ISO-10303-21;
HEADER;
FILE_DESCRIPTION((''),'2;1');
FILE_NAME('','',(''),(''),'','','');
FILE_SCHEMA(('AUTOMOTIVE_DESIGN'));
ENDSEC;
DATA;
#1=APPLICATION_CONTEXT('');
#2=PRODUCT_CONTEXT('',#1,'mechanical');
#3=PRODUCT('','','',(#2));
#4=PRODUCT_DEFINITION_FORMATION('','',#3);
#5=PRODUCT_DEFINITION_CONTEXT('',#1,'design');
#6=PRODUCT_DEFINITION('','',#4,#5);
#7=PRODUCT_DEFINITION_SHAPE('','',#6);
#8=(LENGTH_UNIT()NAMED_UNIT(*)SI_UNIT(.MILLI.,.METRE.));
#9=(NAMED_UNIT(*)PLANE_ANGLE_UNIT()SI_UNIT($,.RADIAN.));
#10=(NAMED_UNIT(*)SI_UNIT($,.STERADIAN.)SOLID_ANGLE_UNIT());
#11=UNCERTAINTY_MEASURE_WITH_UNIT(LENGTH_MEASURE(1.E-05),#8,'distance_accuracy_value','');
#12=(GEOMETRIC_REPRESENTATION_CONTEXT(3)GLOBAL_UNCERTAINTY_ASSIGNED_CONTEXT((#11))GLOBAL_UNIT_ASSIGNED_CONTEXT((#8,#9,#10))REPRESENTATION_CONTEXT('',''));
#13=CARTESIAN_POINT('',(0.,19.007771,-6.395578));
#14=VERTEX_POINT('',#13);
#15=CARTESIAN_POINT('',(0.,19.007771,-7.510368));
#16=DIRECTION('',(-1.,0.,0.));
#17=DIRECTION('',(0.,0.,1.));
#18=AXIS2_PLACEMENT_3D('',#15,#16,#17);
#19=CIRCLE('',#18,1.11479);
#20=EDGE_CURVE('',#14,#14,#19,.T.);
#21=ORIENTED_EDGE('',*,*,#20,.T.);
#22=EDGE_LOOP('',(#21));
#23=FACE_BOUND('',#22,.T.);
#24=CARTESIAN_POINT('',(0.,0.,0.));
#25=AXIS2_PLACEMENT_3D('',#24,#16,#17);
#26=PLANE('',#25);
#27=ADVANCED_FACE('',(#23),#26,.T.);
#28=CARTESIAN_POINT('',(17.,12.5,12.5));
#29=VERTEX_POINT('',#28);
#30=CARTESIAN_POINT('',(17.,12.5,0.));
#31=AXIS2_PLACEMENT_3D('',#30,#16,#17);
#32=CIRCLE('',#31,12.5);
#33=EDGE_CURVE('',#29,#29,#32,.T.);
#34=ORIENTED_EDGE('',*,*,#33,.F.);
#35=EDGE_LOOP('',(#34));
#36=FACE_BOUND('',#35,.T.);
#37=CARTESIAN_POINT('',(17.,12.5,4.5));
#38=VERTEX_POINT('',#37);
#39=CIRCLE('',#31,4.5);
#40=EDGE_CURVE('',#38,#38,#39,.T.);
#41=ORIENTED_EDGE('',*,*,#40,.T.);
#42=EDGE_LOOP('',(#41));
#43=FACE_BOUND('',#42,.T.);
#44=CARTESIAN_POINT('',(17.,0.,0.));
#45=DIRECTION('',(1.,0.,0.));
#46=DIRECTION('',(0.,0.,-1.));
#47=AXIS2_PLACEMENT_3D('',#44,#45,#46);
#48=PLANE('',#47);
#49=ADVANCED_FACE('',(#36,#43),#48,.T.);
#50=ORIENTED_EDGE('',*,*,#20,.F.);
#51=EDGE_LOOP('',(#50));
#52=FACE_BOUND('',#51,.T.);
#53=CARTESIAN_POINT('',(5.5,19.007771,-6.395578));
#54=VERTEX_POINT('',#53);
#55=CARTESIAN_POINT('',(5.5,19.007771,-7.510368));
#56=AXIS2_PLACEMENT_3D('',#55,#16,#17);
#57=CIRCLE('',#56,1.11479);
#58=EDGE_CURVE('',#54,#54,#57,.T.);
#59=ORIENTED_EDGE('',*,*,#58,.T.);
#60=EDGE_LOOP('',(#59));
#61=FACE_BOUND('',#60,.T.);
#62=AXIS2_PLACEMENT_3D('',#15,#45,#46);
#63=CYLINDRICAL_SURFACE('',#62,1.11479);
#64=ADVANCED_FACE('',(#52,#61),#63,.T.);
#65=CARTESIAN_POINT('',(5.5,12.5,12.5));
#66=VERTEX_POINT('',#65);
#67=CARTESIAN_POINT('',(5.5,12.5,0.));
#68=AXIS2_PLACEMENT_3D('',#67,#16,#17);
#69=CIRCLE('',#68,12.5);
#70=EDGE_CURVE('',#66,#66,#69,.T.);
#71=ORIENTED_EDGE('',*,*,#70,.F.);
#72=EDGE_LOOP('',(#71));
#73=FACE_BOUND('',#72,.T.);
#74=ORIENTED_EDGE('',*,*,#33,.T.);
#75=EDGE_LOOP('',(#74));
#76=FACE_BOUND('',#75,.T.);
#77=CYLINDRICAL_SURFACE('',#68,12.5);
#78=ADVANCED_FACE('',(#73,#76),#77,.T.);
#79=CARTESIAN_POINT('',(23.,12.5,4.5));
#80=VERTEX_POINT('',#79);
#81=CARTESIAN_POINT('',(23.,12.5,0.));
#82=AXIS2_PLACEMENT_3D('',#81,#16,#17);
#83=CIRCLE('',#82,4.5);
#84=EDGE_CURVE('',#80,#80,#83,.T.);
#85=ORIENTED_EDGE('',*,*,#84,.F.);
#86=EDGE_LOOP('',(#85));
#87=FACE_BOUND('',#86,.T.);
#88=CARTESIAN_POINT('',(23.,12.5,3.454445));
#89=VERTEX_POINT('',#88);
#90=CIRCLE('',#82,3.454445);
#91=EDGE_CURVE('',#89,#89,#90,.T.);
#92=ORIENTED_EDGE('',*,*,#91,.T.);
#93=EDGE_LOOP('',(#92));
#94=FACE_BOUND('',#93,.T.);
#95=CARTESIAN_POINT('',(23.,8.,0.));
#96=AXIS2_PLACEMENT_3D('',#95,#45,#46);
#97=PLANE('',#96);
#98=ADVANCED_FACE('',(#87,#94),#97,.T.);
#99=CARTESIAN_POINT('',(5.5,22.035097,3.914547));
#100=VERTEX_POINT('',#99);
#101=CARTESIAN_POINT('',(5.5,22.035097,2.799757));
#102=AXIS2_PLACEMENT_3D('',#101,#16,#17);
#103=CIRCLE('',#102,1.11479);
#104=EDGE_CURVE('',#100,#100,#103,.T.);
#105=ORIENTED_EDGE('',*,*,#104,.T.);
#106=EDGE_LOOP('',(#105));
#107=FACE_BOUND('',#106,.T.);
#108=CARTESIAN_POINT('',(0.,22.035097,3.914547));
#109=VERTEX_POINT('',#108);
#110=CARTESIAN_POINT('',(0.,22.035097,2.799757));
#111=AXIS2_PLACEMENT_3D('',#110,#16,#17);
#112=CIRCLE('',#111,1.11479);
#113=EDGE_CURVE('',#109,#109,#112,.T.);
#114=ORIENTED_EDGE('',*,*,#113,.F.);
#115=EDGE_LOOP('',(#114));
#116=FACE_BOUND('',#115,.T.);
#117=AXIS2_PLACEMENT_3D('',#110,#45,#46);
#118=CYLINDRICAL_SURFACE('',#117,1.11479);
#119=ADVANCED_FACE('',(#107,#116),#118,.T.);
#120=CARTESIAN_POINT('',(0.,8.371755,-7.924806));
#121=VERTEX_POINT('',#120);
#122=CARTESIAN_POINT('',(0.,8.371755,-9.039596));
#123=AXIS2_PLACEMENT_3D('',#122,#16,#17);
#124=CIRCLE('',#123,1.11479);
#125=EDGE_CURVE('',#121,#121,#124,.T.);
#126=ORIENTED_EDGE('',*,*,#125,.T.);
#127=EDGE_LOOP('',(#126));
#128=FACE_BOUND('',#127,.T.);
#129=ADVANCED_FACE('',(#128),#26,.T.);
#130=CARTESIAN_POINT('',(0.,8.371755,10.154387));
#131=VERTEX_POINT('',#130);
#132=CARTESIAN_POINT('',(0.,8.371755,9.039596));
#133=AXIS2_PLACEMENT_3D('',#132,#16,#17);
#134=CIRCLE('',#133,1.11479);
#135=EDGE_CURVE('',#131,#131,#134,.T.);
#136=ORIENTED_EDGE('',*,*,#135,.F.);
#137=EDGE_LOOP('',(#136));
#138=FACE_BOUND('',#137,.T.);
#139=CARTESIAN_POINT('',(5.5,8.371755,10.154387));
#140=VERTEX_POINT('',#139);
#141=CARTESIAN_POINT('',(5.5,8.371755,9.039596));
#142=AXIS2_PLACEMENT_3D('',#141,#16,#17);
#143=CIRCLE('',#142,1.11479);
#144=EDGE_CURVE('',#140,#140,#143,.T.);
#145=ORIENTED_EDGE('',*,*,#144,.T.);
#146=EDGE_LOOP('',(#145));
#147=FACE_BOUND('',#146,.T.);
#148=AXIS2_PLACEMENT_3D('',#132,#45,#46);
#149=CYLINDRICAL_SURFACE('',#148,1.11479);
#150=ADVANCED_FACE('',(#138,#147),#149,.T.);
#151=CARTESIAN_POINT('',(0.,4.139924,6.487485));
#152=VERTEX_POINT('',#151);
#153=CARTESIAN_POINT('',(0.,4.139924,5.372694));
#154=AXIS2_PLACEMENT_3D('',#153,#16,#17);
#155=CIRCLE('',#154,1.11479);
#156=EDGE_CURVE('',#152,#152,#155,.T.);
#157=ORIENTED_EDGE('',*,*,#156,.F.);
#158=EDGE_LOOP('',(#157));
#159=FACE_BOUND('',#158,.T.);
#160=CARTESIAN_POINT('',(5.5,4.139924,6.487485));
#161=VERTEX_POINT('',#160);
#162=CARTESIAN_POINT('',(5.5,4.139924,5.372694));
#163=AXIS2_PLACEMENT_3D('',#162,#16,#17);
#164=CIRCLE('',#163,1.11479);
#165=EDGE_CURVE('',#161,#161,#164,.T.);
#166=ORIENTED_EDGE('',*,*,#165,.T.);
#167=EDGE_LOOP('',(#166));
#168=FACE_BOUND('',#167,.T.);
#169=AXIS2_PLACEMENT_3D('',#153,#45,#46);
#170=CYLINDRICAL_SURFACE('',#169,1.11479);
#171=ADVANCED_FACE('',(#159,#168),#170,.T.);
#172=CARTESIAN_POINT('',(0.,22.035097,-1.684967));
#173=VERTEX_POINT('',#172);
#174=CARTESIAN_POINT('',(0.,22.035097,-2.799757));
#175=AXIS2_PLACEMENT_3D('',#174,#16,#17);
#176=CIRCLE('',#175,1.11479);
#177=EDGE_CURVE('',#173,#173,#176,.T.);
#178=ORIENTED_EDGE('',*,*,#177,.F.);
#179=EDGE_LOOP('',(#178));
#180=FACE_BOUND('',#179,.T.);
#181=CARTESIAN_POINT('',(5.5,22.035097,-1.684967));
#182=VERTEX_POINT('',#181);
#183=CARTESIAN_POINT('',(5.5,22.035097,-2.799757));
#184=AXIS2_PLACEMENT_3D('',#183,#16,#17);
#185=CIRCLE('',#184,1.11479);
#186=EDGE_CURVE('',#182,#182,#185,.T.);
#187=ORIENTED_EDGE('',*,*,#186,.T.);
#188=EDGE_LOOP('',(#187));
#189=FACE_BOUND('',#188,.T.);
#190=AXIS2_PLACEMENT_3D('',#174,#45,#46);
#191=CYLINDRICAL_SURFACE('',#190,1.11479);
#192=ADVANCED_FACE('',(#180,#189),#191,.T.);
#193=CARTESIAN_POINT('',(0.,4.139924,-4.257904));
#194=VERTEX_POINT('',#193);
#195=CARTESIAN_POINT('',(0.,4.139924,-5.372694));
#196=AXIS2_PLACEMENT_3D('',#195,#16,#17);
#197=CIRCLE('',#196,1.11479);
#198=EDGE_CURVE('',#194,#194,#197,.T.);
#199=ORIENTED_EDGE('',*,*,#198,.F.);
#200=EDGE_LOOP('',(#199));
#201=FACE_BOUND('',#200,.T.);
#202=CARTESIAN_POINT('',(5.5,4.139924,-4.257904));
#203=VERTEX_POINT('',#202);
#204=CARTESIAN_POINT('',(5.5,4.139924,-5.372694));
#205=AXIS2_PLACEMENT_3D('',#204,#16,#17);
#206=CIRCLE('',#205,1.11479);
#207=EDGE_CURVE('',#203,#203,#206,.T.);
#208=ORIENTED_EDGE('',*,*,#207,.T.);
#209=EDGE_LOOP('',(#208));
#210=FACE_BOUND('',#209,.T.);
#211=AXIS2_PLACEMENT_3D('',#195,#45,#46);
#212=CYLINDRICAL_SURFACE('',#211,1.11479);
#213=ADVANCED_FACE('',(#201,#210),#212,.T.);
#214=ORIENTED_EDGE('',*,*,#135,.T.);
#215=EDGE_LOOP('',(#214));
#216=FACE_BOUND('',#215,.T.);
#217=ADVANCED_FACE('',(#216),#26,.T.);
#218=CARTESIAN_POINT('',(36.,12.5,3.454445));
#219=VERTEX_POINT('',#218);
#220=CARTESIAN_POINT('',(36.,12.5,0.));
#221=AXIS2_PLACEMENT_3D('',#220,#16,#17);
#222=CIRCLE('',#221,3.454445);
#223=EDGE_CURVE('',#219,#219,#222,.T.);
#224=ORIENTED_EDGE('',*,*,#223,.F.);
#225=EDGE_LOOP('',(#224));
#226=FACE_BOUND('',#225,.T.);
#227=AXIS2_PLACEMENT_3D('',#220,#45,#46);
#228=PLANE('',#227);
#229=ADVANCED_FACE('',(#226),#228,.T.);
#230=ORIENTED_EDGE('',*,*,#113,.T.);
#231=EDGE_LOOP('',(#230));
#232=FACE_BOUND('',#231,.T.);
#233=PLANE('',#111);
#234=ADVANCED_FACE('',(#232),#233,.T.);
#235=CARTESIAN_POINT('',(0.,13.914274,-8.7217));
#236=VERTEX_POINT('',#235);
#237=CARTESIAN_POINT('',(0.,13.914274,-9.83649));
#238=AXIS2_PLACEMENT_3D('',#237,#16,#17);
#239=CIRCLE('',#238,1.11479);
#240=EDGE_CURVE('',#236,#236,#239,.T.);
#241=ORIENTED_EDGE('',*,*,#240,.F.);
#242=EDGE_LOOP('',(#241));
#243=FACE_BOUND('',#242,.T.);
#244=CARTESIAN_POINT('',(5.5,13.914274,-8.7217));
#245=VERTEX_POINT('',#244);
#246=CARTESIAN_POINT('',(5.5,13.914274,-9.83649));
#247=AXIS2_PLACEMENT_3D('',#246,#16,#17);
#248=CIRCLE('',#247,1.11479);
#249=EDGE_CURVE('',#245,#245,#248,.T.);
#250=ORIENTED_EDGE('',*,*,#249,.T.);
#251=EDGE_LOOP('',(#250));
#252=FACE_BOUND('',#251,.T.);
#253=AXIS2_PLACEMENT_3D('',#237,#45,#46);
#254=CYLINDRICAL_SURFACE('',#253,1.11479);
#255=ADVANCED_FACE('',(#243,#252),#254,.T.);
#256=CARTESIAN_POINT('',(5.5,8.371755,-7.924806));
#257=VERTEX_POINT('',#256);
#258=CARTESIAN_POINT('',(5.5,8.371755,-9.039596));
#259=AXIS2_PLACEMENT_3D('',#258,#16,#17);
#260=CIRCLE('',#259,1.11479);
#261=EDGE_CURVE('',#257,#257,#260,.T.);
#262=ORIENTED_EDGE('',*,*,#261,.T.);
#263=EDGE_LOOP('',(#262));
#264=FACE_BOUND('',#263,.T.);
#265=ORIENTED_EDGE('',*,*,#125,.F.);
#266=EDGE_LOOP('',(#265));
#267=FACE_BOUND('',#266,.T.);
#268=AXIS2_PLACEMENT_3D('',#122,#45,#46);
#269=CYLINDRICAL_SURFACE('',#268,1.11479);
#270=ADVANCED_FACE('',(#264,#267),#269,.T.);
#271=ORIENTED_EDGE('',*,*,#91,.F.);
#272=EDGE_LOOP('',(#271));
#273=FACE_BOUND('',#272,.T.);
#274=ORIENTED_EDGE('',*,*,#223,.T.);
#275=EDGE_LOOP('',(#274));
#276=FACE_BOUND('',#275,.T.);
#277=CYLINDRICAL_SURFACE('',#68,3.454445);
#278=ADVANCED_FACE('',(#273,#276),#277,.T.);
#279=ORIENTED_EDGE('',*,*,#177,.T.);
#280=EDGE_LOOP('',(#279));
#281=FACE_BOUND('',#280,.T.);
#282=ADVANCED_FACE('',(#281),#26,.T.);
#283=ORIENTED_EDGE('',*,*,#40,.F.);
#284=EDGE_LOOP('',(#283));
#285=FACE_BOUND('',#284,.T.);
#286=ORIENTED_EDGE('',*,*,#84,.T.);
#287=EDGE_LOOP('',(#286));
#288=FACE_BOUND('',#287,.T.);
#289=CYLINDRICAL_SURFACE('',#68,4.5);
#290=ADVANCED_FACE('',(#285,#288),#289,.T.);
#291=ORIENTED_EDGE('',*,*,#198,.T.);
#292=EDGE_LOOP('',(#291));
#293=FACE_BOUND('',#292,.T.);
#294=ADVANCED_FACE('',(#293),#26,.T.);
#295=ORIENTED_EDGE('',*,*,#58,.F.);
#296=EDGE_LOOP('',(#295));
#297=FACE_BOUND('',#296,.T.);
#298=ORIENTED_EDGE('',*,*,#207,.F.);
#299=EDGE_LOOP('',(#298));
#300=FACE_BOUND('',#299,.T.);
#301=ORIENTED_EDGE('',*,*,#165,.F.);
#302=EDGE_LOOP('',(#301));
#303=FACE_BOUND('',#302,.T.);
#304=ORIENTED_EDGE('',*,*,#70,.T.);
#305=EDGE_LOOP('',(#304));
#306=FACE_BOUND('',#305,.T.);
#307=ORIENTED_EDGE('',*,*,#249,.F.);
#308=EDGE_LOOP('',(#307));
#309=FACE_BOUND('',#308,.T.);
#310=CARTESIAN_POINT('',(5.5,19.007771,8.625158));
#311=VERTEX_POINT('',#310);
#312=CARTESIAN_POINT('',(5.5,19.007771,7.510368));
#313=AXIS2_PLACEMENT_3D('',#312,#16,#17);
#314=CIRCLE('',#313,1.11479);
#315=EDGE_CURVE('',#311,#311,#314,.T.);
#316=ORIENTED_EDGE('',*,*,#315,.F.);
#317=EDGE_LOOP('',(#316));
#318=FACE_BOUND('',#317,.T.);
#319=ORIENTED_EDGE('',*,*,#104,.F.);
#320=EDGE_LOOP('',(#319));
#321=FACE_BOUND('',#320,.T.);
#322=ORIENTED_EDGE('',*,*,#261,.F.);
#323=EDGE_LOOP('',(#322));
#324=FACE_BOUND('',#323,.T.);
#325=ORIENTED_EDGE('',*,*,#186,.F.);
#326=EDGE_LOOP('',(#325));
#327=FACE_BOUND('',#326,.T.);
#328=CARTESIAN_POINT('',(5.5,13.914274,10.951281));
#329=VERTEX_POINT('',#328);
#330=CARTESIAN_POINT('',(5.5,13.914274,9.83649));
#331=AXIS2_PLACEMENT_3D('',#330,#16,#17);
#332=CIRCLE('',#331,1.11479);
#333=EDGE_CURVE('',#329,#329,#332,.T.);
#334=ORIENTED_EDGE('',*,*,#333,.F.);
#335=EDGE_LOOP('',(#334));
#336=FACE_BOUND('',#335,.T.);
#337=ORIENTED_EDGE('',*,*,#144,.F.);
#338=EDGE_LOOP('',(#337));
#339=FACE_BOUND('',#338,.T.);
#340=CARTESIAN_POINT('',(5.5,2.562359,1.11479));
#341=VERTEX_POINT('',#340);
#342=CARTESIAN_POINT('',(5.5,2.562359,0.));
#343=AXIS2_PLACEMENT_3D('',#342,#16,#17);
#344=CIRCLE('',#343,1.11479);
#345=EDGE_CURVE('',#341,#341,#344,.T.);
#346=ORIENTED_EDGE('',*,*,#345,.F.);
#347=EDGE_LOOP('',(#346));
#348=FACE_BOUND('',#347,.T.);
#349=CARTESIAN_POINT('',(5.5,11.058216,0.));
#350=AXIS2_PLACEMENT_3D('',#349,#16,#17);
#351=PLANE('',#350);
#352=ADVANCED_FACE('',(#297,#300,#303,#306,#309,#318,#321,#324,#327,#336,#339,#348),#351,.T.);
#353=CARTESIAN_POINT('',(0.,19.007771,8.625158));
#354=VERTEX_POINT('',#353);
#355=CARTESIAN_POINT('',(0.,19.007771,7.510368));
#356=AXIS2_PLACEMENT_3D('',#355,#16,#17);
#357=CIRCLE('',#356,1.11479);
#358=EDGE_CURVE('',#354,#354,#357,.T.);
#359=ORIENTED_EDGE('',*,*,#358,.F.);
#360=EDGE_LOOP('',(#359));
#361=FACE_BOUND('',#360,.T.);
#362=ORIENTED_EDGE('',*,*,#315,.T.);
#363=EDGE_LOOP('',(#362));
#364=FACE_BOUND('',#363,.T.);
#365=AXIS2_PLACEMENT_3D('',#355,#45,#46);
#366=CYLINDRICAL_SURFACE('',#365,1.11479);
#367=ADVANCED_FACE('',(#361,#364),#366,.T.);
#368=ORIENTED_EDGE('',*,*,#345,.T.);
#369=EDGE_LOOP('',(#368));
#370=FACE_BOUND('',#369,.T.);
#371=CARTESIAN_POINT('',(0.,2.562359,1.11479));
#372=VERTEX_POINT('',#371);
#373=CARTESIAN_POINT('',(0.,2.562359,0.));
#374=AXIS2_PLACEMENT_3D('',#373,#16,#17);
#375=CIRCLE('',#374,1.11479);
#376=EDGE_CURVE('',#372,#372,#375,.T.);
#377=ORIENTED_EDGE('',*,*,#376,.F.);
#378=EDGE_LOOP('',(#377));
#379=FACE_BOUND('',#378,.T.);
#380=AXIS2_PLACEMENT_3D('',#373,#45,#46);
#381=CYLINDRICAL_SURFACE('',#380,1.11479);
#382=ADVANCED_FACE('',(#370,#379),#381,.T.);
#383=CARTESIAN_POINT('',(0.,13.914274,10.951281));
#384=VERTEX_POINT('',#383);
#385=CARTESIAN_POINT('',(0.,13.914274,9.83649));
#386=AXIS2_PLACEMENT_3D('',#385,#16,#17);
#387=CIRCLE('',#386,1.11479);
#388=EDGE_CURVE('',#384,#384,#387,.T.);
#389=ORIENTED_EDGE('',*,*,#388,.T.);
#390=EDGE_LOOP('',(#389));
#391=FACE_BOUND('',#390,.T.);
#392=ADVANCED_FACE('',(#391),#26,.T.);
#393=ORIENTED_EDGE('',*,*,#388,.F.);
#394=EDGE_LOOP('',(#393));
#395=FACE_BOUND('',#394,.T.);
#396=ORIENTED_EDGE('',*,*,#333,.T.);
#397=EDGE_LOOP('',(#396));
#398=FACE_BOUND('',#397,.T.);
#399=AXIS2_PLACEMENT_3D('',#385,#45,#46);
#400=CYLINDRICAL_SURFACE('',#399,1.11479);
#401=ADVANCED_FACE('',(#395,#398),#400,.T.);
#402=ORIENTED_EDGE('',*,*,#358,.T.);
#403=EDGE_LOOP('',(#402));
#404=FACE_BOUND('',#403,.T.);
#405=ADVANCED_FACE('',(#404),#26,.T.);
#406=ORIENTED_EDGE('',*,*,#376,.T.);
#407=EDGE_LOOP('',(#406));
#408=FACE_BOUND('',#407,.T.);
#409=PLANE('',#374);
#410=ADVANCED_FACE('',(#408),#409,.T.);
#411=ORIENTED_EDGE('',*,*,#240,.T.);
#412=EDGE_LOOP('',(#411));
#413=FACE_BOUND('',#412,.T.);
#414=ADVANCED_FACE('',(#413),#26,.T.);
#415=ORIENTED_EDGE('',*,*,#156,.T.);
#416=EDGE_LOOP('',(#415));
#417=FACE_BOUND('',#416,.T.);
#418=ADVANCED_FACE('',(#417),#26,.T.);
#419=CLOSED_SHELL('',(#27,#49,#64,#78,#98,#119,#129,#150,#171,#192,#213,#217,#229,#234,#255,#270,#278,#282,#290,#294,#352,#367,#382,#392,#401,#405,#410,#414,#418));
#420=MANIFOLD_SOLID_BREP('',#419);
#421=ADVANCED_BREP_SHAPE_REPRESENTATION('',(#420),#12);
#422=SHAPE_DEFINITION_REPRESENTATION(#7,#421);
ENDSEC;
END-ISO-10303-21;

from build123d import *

# Parameters (mm, degrees)
SZKIC3_R                    = 1.114790338
DODANIE_WYCI_GNI_CIE1_DEPTH = 5.5


with BuildPart() as part:
    # Szkic1 → Obrót2 (revolve)
    with BuildSketch(Plane.XY):
        Polygon((17, 0), (7, 0), (5.5, 0), (5.5, 2.829232786), (5.5, 4.829774456), (5.5, 7.237903332), (5.5, 9.045555295), (5.5, 11.058215628), (5.5, 12.5), (36, 12.5), (36, 9.045555295), (23, 9.045555295), (23, 8), (17, 8), align=None)
    revolve(axis=Axis((5.5, 12.5, 0), (1, 0, 0)))

    # Szkic3 → Dodanie-wyciągnięcie1 (add)
    with BuildSketch(Plane.ZY.offset(-5.5)):
        with Locations((-5.372694462, 4.139924233)):
            Circle(SZKIC3_R)
        with Locations((5.372694462, 4.139924233)):
            Circle(SZKIC3_R)
        with Locations((9.039596394, 8.371754652)):
            Circle(SZKIC3_R)
        with Locations((9.836490341, 13.9142738)):
            Circle(SZKIC3_R)
        with Locations((7.510368107, 19.00777101)):
            Circle(SZKIC3_R)
        with Locations((-2.799757064, 22.035096905)):
            Circle(SZKIC3_R)
        with Locations((-7.510368107, 19.00777101)):
            Circle(SZKIC3_R)
        with Locations((-9.836490341, 13.9142738)):
            Circle(SZKIC3_R)
        with Locations((-9.039596394, 8.371754652)):
            Circle(SZKIC3_R)
        with Locations((0, 2.5623588)):
            Circle(SZKIC3_R)
        with Locations((2.799757064, 22.035096905)):
            Circle(SZKIC3_R)
    extrude(amount=DODANIE_WYCI_GNI_CIE1_DEPTH)


solid = part.part
